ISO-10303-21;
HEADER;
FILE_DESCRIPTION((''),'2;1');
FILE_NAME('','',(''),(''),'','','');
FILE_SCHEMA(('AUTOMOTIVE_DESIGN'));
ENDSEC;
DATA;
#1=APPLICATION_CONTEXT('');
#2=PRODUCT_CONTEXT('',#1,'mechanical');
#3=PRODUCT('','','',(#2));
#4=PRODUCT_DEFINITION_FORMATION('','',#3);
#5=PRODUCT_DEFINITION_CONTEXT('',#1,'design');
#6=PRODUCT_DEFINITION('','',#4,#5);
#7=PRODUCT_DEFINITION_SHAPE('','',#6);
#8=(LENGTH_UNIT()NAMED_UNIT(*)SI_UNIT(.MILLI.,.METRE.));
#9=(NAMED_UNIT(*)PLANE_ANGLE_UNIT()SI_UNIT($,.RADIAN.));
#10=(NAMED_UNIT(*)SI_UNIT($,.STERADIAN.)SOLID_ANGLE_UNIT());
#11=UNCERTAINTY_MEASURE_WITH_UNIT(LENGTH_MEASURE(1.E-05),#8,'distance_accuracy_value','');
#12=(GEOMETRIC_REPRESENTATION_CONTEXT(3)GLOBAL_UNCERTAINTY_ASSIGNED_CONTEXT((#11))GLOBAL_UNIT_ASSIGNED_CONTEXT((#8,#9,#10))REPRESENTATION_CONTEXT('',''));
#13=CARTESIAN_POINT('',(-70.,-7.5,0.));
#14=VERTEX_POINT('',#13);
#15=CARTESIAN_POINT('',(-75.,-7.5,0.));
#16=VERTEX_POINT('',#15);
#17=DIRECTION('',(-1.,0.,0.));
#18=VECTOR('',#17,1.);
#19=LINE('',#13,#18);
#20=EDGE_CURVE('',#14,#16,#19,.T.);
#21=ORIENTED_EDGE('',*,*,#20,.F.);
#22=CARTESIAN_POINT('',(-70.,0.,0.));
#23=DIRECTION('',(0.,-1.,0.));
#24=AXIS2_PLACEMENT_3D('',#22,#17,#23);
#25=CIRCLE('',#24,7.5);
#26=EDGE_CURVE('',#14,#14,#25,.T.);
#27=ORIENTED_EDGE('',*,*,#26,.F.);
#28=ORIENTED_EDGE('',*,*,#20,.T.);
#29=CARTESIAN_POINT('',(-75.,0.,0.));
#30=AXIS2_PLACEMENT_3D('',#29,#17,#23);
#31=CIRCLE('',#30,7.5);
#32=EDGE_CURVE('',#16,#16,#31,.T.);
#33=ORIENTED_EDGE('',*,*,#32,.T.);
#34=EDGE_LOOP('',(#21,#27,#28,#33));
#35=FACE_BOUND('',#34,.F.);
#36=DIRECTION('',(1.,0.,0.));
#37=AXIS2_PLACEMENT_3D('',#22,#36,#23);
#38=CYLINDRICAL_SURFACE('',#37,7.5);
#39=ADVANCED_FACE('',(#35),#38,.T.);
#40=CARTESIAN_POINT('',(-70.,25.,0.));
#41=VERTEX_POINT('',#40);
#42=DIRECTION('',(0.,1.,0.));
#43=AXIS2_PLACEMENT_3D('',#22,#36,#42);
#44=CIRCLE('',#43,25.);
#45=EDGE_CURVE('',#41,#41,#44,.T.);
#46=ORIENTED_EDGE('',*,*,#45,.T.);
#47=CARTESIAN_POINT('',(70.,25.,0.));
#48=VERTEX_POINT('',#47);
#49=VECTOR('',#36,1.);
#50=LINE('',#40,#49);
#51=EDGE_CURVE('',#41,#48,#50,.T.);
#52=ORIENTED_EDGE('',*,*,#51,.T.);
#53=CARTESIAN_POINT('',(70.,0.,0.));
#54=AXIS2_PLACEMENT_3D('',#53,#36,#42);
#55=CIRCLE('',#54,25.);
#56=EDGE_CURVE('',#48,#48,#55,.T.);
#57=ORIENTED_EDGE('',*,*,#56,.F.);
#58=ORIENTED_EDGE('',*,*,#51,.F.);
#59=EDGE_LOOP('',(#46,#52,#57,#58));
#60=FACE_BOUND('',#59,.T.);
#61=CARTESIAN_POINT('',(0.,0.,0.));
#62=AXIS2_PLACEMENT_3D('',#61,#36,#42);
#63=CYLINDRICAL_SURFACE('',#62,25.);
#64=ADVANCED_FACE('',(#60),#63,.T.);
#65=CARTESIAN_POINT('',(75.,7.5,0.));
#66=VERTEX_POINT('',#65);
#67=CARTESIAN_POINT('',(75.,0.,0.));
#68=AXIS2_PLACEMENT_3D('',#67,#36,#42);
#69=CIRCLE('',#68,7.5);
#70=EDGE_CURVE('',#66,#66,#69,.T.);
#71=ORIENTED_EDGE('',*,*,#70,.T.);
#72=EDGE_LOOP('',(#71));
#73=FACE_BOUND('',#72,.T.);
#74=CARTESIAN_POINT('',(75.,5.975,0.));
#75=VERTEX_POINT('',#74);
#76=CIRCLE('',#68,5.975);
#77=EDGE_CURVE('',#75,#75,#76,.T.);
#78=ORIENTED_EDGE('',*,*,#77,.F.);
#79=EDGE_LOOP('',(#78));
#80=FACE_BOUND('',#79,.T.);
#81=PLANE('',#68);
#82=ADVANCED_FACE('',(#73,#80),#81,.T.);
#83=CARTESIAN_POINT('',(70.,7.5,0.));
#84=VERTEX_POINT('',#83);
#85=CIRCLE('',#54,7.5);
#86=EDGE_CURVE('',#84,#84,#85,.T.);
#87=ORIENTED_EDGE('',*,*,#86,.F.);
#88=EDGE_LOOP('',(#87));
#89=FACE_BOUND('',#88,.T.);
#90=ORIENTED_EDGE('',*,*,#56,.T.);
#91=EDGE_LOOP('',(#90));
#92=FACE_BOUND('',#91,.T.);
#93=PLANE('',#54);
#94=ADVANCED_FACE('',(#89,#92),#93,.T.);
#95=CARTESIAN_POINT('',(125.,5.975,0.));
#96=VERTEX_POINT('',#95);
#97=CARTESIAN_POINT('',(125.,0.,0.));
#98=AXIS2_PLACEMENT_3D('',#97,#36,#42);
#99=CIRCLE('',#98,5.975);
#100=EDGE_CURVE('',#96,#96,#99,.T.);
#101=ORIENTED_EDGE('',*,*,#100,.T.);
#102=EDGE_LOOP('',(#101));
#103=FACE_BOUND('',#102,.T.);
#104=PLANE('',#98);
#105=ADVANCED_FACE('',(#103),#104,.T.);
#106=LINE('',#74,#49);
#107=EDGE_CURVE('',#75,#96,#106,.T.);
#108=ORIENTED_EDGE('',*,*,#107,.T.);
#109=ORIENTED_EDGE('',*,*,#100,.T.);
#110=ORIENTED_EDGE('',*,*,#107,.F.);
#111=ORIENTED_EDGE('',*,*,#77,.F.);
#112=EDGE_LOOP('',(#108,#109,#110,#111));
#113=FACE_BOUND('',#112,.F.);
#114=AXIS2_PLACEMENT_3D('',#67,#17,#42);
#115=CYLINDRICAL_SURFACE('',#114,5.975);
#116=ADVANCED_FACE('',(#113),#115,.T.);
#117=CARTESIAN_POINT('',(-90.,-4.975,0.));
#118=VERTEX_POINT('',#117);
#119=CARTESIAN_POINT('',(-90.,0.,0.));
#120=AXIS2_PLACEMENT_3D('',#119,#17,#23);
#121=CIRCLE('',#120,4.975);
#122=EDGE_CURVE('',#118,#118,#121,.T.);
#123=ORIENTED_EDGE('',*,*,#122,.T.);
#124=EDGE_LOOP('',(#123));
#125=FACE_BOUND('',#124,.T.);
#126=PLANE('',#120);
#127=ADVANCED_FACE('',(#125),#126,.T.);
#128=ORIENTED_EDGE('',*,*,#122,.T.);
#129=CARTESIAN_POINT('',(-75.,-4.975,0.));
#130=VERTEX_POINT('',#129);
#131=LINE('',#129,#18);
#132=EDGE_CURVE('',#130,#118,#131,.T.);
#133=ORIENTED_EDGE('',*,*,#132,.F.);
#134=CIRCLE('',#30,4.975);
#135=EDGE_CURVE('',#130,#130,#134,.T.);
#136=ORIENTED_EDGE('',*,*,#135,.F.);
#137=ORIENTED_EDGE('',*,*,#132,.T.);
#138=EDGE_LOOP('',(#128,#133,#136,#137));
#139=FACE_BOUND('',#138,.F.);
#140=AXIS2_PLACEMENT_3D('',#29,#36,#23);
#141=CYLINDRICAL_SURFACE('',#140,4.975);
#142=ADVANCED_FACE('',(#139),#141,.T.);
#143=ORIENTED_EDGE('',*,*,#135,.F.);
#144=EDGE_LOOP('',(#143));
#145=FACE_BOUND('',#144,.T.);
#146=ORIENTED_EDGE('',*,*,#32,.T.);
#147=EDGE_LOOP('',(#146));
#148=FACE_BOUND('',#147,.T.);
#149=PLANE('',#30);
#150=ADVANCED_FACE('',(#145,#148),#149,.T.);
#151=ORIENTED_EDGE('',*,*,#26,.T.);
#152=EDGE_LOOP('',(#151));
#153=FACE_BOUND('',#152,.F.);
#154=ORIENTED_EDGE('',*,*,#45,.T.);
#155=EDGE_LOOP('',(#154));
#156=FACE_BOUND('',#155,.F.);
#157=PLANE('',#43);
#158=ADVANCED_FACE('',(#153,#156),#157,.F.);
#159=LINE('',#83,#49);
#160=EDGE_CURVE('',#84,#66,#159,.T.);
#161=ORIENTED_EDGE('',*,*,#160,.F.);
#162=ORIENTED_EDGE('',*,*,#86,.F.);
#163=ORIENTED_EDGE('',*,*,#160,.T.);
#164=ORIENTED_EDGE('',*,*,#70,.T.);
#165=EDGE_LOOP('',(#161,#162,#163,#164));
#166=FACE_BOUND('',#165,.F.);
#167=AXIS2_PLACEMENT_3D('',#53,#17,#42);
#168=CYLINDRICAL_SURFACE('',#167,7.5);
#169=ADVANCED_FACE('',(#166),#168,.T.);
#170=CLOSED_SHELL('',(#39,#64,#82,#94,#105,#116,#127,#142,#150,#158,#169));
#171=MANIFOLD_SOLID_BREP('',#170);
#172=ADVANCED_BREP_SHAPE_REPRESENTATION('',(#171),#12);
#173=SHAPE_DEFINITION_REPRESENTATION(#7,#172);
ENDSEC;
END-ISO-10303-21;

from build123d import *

# Parameters (mm, degrees)
F0_R      = 25
F1_DEPTH  = 70
F2_R      = 7.5
F3_DEPTH  = 5
F4_R      = 5.975
F5_DEPTH  = 50
F6_DEPTH  = 70
F7_R      = 7.5
F8_DEPTH  = 5
F9_R      = 4.975
F10_DEPTH = 15


with BuildPart() as f1:
    # F0 (on Right) → F1 (new body)
    with BuildSketch(Plane.YZ):
        Circle(F0_R)
    extrude(amount=F1_DEPTH)

    # F2 (on face) → F3 (join)
    with BuildSketch(Plane.YZ.offset(70)):
        Circle(F2_R)
    extrude(amount=F3_DEPTH)

    # F4 (on face) → F5 (join)
    with BuildSketch(Plane.YZ.offset(75)):
        Circle(F4_R)
    extrude(amount=F5_DEPTH)

    # F6 (add): a face of the model
    f6_faces = [f1.faces().sort_by_distance(p)[0] for p in [
        (0, 0, 0),
    ]]
    extrude(f6_faces, amount=F6_DEPTH)

    # F7 (on face) → F8 (join)
    with BuildSketch(Plane(origin=(-70, 0, 0), x_dir=(0, -1, 0), z_dir=(-1, 0, 0))):
        Circle(F7_R)
    extrude(amount=F8_DEPTH)

    # F9 (on face) → F10 (join)
    with BuildSketch(Plane(origin=(-75, 0, 0), x_dir=(0, -1, 0), z_dir=(-1, 0, 0))):
        Circle(F9_R)
    extrude(amount=F10_DEPTH)


solid = f1.part
